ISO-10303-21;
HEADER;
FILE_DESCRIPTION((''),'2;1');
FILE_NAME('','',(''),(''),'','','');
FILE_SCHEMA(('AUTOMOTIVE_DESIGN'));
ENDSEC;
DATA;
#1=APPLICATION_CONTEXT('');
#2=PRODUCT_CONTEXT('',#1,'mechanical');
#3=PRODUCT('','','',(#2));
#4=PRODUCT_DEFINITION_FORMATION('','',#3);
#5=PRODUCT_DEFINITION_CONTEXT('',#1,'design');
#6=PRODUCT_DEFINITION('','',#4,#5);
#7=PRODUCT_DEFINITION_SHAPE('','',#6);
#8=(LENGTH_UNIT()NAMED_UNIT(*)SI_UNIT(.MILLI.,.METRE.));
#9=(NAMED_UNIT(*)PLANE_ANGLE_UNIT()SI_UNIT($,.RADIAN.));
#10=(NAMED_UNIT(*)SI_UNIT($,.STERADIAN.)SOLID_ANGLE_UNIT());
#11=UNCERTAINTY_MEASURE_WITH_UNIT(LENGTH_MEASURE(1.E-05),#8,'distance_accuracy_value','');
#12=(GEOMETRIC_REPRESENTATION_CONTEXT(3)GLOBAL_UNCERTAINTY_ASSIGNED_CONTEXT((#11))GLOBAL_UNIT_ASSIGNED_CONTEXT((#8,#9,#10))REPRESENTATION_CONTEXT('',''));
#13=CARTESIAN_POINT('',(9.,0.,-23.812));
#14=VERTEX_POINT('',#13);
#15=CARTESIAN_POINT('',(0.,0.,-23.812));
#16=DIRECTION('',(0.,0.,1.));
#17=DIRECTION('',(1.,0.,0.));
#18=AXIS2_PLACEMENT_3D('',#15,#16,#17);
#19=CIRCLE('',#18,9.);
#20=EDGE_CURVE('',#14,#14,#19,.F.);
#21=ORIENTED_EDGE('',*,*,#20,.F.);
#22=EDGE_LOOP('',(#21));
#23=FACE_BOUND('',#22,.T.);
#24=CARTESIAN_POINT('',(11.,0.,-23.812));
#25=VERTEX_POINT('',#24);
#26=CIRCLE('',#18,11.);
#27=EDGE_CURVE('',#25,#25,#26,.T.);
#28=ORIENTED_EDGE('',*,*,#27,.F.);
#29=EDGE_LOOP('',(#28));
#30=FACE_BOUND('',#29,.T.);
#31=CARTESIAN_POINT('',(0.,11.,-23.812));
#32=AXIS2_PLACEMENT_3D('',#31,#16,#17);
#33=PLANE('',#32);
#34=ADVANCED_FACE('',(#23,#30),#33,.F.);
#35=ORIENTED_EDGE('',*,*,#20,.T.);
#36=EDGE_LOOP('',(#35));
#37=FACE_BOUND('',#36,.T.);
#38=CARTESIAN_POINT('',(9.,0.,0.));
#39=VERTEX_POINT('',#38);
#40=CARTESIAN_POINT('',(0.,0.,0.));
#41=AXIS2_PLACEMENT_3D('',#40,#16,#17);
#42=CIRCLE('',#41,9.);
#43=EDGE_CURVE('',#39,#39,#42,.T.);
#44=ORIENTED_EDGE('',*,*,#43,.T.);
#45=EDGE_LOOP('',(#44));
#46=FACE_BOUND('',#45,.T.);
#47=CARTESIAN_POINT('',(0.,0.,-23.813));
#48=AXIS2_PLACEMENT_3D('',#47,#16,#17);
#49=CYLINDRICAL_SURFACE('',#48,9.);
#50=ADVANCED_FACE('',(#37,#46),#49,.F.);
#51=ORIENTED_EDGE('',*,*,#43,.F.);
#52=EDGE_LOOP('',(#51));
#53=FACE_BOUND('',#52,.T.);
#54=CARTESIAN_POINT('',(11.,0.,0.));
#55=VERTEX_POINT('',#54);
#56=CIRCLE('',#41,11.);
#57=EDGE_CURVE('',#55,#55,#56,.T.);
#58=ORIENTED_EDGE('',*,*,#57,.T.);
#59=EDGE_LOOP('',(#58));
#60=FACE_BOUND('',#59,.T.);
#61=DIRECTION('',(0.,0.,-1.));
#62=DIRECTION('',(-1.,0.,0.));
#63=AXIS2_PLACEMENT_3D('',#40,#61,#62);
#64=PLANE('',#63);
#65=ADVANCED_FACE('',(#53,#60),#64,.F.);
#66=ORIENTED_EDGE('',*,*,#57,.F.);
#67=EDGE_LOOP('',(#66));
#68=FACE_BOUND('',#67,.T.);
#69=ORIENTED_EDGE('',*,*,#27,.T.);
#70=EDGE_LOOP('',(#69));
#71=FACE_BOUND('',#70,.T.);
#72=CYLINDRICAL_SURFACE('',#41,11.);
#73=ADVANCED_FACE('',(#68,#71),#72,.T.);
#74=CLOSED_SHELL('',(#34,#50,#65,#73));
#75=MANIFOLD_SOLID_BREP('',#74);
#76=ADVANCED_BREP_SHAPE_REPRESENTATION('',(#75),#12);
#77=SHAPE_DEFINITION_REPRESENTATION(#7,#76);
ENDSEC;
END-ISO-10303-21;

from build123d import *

# Parameters (mm, degrees)
CROQUIS1_W            = 23.812
CROQUIS1_H            = 11
CORTAR_EXTRUIR1_REACH = 30.443
CROQUIS2_R            = 9


with BuildPart() as part:
    # Croquis1 → Revolución1 (revolve)
    with BuildSketch(Plane(origin=(0, 0, 0), x_dir=(0, 0, -1), z_dir=(1, 0, 0)), mode=Mode.PRIVATE) as revoluci_n1_sk:
        with Locations((11.906, 5.5)):
            Rectangle(CROQUIS1_W, CROQUIS1_H)
    revolve(revoluci_n1_sk.sketch.rotate(Axis((0, 0, 0), (0, 0, -1)), 90), axis=Axis((0, 0, 0), (0, 0, -1)))

    # Croquis2 → Cortar-Extruir1 (cut, up to next)
    with BuildSketch(Plane.XY, mode=Mode.PRIVATE) as cortar_extruir1_sk1:
        Circle(CROQUIS2_R)
    cortar_extruir1_tool1 = extrude(cortar_extruir1_sk1.sketch, amount=-CORTAR_EXTRUIR1_REACH, mode=Mode.PRIVATE) & part.part
    add(cortar_extruir1_tool1.solids().sort_by_distance((0, 0, 0))[0], mode=Mode.SUBTRACT)


solid = part.part
